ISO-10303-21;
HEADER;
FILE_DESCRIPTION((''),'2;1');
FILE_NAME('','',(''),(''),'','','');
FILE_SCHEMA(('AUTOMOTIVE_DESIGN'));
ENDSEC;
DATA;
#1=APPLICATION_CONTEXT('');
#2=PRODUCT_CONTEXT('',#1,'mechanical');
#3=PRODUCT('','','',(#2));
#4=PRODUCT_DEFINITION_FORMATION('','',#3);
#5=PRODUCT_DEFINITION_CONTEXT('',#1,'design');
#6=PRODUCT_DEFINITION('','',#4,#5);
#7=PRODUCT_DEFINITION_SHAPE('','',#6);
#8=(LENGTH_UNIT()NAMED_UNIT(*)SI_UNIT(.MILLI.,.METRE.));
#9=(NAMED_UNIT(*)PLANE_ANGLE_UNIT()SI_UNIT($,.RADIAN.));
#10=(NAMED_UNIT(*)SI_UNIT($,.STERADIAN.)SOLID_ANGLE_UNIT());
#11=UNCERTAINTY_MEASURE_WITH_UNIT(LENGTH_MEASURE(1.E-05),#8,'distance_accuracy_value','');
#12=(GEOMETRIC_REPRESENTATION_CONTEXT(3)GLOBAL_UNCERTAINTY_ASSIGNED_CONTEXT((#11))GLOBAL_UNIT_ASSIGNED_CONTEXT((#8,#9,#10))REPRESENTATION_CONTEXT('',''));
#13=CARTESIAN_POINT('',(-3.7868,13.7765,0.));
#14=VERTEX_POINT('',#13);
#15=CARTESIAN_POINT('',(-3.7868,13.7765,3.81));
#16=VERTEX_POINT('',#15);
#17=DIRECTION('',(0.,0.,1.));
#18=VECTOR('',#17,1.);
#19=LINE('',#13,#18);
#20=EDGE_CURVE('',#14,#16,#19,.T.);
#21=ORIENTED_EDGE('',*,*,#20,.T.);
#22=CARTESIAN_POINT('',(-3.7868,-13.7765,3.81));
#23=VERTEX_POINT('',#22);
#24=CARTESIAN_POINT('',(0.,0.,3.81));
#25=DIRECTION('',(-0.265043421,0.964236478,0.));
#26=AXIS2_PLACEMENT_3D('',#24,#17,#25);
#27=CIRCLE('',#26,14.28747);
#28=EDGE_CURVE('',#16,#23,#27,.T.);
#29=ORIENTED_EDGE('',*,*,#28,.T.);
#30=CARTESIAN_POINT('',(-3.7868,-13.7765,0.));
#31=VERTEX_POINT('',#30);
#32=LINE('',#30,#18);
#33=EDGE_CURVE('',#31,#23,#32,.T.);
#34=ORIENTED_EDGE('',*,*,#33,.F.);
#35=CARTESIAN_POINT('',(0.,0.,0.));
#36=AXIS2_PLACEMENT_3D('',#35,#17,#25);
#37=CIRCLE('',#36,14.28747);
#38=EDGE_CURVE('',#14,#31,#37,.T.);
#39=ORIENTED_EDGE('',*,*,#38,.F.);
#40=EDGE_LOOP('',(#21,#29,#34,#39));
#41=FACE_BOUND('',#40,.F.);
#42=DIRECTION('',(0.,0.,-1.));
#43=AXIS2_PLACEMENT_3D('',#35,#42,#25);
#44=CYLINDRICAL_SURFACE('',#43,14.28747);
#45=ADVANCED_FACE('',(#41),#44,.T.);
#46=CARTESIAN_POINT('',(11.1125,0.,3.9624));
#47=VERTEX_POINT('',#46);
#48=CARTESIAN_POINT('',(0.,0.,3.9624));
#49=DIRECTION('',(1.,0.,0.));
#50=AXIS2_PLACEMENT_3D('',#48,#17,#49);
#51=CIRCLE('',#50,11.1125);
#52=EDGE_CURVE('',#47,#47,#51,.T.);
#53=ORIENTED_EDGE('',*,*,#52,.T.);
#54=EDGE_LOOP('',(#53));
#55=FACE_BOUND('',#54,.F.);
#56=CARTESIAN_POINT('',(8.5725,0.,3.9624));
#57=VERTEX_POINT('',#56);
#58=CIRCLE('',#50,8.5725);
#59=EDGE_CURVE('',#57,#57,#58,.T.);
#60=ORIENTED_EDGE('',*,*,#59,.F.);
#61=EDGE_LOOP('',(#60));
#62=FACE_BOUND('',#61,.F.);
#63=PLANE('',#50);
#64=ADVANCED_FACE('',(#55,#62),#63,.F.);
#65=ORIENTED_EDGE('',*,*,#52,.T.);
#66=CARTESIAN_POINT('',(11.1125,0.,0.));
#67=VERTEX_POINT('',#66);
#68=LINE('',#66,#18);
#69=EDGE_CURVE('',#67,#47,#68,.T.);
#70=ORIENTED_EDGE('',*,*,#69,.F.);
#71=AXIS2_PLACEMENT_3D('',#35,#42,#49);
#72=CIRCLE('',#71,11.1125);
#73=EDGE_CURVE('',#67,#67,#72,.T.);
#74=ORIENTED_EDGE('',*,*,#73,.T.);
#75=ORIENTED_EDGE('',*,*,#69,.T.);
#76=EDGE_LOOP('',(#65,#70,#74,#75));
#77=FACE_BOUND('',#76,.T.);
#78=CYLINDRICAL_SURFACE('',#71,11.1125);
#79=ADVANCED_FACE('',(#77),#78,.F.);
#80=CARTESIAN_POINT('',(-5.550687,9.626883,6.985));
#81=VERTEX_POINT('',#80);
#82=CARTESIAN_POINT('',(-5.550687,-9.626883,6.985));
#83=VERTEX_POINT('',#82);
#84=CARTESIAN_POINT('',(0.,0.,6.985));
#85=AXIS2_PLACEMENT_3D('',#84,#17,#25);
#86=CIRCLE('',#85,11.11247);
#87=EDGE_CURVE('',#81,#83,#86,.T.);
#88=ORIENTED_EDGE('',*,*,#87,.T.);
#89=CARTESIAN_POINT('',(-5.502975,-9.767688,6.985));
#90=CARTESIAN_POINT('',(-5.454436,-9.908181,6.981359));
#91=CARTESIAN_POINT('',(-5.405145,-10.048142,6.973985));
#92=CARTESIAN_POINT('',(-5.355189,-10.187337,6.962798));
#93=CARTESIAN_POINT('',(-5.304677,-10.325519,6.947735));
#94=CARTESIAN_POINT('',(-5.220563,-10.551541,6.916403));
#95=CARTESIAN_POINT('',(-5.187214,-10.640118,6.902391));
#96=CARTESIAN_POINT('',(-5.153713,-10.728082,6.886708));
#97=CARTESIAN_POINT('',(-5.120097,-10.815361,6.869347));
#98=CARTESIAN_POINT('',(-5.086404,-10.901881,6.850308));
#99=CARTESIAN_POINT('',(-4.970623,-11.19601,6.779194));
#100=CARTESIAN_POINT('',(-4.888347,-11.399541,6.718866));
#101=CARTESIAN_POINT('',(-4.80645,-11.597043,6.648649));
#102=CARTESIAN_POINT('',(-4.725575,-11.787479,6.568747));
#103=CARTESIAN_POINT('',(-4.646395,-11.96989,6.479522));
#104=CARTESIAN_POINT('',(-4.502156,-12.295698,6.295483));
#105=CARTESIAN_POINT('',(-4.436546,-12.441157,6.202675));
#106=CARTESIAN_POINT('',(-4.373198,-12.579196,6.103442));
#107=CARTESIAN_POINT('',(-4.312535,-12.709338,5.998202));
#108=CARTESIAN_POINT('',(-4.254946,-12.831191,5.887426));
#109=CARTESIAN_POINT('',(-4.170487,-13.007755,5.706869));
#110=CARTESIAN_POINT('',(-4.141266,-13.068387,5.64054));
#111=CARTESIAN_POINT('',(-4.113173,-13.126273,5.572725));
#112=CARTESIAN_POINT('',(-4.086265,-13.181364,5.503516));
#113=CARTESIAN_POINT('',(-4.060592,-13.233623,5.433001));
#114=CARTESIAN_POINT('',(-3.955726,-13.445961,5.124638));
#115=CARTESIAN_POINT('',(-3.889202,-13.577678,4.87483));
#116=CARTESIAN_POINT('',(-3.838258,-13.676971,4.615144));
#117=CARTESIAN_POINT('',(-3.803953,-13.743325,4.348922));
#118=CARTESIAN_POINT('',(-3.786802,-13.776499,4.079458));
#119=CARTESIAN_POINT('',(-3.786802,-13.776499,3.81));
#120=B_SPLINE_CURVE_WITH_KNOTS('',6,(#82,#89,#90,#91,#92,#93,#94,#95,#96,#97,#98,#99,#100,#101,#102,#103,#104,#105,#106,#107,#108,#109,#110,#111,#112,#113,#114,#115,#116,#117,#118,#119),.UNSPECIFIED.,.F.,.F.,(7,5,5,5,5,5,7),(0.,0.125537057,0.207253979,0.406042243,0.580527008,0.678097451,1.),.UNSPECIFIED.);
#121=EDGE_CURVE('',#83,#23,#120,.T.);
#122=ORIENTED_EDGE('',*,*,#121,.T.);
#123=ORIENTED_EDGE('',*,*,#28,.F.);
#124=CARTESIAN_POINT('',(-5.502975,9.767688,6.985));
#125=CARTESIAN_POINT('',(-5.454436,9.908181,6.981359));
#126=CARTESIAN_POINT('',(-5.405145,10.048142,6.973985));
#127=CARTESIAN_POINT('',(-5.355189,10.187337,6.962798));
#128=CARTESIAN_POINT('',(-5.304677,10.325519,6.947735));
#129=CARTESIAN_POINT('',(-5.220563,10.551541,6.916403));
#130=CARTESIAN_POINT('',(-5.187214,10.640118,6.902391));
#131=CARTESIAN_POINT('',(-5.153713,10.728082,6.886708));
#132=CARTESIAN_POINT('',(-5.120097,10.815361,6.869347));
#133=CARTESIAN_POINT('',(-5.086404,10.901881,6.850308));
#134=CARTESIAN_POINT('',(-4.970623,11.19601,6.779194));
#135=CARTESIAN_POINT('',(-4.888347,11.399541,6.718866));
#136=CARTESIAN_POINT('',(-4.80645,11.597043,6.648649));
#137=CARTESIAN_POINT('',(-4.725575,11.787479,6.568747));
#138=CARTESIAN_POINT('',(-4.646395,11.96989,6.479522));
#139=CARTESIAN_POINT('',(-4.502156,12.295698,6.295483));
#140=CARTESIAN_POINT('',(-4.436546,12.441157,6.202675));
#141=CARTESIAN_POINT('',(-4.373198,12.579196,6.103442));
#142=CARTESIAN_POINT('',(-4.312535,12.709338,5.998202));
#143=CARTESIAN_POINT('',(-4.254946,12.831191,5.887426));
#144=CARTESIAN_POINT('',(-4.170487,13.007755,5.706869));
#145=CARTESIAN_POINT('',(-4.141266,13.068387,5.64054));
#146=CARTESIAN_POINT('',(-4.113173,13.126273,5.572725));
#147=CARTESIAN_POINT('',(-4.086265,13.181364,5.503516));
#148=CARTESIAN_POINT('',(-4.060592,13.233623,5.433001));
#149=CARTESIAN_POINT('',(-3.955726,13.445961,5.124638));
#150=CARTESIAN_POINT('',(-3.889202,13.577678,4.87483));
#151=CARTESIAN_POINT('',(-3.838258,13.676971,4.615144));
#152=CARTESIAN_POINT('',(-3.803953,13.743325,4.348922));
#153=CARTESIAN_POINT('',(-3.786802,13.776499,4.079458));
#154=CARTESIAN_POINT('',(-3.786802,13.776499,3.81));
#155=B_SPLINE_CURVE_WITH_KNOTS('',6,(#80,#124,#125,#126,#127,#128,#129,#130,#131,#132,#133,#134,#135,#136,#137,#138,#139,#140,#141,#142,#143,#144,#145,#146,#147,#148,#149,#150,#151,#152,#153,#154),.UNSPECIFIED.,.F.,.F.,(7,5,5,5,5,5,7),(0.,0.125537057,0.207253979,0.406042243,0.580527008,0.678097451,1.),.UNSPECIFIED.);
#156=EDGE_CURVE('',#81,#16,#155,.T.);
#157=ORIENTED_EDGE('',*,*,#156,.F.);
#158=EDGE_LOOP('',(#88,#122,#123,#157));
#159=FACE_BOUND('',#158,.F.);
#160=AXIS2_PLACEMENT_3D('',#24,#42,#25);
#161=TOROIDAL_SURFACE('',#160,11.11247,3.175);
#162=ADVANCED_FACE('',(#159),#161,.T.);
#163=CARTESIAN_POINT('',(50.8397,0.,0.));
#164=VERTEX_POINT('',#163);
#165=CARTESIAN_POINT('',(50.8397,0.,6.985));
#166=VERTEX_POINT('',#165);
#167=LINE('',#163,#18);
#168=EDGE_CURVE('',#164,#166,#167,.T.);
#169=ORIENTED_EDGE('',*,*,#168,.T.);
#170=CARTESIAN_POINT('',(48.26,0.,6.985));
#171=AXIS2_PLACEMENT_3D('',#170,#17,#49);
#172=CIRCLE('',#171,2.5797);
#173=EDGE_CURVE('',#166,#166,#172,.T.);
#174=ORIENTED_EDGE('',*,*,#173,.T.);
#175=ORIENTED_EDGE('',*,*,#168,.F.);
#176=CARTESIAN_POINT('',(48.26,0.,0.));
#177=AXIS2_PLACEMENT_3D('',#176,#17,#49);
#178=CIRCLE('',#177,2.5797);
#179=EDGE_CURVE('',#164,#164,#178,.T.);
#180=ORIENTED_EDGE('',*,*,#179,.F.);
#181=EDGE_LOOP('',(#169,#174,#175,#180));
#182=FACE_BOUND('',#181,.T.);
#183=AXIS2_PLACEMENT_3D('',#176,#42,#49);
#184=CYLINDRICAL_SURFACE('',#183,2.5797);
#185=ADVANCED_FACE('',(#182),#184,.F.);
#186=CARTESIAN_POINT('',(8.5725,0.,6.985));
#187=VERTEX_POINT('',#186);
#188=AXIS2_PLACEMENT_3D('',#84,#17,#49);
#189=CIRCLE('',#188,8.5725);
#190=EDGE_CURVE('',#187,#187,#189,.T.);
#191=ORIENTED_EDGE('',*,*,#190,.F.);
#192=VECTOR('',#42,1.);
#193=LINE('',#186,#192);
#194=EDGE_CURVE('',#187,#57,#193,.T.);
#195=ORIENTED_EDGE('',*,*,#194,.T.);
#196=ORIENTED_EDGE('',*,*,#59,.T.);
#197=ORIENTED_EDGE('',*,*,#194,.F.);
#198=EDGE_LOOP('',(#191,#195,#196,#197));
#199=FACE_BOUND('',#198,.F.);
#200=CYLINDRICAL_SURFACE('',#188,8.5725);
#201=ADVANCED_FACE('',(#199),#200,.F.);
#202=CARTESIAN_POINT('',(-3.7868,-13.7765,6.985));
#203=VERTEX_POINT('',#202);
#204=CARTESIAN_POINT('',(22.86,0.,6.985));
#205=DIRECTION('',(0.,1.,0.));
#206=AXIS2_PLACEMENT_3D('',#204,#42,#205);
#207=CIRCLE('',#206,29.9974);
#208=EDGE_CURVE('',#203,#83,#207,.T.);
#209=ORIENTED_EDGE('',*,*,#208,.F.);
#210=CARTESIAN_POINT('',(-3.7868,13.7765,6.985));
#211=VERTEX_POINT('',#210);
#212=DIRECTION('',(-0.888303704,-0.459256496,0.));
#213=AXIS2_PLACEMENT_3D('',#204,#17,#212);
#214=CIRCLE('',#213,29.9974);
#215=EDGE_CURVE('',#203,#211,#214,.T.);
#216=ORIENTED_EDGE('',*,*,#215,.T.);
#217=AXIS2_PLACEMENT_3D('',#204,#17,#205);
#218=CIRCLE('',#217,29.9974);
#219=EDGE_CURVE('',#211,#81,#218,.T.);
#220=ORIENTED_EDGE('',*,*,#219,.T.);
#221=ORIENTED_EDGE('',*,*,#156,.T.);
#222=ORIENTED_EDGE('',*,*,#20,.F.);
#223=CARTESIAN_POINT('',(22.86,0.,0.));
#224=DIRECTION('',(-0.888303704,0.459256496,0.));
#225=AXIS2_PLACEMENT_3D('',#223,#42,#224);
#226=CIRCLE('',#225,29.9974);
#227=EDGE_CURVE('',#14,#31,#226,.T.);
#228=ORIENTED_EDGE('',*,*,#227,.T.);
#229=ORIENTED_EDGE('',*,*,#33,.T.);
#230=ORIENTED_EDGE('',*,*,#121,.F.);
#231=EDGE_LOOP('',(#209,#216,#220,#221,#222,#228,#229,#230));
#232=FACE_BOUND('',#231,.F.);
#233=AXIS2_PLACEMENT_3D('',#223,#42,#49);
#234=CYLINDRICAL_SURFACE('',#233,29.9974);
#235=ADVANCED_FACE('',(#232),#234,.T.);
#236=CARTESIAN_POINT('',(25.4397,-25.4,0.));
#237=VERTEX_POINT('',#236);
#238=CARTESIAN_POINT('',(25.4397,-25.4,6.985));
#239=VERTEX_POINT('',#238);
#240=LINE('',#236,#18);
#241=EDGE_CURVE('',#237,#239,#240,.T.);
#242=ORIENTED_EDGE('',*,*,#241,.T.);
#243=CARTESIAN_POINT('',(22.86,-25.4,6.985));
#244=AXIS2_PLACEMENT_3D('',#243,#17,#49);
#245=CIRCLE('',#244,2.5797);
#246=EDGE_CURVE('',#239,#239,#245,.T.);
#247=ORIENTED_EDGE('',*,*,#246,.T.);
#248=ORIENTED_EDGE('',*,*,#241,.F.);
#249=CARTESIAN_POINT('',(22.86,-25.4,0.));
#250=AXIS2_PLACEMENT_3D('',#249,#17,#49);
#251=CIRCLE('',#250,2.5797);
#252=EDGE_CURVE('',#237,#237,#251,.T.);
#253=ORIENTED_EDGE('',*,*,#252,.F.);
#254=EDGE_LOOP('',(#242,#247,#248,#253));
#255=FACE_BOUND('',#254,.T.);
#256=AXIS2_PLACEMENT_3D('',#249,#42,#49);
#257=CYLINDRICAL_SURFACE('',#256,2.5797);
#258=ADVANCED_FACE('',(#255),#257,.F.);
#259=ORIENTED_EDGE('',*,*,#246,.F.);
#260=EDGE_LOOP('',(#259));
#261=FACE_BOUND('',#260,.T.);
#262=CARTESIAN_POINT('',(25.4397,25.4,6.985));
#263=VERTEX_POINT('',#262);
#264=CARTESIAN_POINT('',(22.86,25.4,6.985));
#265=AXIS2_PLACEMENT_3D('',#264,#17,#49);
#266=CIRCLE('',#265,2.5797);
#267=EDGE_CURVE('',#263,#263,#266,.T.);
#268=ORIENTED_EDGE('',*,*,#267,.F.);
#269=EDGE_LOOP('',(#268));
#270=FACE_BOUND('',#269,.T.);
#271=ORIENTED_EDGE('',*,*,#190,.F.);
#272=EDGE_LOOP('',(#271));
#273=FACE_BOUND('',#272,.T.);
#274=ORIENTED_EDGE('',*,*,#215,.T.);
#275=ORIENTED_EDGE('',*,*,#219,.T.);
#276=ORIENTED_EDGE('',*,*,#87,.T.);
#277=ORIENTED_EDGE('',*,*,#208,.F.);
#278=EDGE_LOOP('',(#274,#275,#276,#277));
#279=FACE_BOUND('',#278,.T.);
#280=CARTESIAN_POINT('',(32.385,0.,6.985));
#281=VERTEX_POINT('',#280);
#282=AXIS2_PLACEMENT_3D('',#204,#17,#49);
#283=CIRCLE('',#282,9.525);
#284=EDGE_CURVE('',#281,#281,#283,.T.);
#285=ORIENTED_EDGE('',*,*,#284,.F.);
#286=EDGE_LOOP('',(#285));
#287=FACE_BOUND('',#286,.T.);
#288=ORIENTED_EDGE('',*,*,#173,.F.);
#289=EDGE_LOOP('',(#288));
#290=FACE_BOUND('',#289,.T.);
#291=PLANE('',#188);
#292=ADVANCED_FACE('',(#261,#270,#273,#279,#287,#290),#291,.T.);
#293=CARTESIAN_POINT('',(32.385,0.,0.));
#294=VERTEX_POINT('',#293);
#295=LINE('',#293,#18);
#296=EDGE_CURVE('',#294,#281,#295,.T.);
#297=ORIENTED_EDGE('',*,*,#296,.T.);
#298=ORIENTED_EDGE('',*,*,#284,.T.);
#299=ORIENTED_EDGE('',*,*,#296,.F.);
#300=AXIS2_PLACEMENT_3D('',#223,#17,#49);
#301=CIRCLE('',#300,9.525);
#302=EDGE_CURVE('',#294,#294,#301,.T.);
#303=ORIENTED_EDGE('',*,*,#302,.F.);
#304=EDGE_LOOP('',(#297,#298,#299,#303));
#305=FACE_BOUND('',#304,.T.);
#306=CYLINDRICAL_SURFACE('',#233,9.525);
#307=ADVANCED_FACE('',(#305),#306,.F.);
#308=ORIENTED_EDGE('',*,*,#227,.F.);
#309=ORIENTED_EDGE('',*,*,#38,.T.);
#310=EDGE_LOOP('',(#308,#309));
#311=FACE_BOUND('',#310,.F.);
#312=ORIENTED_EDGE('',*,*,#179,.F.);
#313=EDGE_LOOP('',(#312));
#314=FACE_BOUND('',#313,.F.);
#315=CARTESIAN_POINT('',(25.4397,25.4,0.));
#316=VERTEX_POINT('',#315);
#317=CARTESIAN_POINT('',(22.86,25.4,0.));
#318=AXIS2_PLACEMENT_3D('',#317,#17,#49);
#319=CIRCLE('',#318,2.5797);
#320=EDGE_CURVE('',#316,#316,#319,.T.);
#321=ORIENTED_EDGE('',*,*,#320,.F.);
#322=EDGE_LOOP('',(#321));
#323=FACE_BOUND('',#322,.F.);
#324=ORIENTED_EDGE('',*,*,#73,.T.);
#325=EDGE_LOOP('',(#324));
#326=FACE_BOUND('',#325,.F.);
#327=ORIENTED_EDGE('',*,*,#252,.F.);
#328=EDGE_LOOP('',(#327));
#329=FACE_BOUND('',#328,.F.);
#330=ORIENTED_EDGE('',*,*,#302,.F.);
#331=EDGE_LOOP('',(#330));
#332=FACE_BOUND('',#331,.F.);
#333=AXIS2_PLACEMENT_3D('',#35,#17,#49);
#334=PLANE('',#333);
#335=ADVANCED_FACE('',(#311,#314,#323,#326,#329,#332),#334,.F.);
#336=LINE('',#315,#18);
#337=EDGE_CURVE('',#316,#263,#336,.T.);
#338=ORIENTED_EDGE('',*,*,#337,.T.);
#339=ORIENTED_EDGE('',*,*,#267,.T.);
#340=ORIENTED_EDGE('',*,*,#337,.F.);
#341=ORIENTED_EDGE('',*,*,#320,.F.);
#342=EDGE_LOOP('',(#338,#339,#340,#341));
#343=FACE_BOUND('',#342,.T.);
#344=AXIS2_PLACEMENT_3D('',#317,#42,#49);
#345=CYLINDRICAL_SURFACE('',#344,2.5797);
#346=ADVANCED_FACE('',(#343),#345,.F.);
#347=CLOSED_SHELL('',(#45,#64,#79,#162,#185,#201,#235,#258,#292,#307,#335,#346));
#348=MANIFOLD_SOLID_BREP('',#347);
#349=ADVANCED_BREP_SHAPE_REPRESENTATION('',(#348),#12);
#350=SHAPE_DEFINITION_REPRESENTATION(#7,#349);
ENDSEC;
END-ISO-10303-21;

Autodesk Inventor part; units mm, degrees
ref_plane "YZ Plane" through (0, 0, 0) normal (1, 0, 0) x (0, 1, 0)
ref_plane "XZ Plane" through (0, 0, 0) normal (0, 1, 0) x (-1, 0, 0)
ref_plane "XY Plane" through (0, 0, 0) normal (0, 0, 1) x (1, 0, 0)
sketch "Sketch1" plane through (0, 0, 0) normal (0, 0, 1) x (1, 0, 0)
  circle A0 centre (0, 0) radius 11.1125
  circle A1 centre (22.86, 0) radius 9.525
  arc A2 (-3.7868, 13.7765) -> (-3.7868, -13.7765) centre (0, 0) ccw
  circle A3 centre (22.86, -25.4) radius 2.5797
  circle A4 centre (22.86, 0) radius 25.4 construction
  circle A5 centre (48.26, 0) radius 2.5797
  circle A6 centre (22.86, 25.4) radius 2.5797
  circle A7 centre (22.86, 0) radius 29.9974
  dimension "d0" = 22.225
  dimension "d1" = 19.05
  dimension "d2" = 22.86
  dimension "d3" = 3.175
  dimension "d8" = 50.8
  dimension "d11" = 5.1594
  dimension "d17" = 59.9948
extrude "Extrusion1" add sketch "Sketch1" along normal blind 6.985 contours A0 A7 | A0 A7 A2 picked at (30.9689, 18.7513)
sketch "Sketch2" plane through (0, 0, 6.985) normal (0, 0, 1) x (1, 0, 0)
  circle A0 centre (0, 0) radius 11.1125 projected
  circle A1 centre (0, 0) radius 8.5725
  dimension "d14" = 2.54
extrude "Extrusion2" add sketch "Sketch2" against normal blind 3.0226
fillet "Fillet1" radius 3.175 1 edges at (-14.2875, 0, 6.985)
properties part number "MotorBracket" material "ABS Plastic"
